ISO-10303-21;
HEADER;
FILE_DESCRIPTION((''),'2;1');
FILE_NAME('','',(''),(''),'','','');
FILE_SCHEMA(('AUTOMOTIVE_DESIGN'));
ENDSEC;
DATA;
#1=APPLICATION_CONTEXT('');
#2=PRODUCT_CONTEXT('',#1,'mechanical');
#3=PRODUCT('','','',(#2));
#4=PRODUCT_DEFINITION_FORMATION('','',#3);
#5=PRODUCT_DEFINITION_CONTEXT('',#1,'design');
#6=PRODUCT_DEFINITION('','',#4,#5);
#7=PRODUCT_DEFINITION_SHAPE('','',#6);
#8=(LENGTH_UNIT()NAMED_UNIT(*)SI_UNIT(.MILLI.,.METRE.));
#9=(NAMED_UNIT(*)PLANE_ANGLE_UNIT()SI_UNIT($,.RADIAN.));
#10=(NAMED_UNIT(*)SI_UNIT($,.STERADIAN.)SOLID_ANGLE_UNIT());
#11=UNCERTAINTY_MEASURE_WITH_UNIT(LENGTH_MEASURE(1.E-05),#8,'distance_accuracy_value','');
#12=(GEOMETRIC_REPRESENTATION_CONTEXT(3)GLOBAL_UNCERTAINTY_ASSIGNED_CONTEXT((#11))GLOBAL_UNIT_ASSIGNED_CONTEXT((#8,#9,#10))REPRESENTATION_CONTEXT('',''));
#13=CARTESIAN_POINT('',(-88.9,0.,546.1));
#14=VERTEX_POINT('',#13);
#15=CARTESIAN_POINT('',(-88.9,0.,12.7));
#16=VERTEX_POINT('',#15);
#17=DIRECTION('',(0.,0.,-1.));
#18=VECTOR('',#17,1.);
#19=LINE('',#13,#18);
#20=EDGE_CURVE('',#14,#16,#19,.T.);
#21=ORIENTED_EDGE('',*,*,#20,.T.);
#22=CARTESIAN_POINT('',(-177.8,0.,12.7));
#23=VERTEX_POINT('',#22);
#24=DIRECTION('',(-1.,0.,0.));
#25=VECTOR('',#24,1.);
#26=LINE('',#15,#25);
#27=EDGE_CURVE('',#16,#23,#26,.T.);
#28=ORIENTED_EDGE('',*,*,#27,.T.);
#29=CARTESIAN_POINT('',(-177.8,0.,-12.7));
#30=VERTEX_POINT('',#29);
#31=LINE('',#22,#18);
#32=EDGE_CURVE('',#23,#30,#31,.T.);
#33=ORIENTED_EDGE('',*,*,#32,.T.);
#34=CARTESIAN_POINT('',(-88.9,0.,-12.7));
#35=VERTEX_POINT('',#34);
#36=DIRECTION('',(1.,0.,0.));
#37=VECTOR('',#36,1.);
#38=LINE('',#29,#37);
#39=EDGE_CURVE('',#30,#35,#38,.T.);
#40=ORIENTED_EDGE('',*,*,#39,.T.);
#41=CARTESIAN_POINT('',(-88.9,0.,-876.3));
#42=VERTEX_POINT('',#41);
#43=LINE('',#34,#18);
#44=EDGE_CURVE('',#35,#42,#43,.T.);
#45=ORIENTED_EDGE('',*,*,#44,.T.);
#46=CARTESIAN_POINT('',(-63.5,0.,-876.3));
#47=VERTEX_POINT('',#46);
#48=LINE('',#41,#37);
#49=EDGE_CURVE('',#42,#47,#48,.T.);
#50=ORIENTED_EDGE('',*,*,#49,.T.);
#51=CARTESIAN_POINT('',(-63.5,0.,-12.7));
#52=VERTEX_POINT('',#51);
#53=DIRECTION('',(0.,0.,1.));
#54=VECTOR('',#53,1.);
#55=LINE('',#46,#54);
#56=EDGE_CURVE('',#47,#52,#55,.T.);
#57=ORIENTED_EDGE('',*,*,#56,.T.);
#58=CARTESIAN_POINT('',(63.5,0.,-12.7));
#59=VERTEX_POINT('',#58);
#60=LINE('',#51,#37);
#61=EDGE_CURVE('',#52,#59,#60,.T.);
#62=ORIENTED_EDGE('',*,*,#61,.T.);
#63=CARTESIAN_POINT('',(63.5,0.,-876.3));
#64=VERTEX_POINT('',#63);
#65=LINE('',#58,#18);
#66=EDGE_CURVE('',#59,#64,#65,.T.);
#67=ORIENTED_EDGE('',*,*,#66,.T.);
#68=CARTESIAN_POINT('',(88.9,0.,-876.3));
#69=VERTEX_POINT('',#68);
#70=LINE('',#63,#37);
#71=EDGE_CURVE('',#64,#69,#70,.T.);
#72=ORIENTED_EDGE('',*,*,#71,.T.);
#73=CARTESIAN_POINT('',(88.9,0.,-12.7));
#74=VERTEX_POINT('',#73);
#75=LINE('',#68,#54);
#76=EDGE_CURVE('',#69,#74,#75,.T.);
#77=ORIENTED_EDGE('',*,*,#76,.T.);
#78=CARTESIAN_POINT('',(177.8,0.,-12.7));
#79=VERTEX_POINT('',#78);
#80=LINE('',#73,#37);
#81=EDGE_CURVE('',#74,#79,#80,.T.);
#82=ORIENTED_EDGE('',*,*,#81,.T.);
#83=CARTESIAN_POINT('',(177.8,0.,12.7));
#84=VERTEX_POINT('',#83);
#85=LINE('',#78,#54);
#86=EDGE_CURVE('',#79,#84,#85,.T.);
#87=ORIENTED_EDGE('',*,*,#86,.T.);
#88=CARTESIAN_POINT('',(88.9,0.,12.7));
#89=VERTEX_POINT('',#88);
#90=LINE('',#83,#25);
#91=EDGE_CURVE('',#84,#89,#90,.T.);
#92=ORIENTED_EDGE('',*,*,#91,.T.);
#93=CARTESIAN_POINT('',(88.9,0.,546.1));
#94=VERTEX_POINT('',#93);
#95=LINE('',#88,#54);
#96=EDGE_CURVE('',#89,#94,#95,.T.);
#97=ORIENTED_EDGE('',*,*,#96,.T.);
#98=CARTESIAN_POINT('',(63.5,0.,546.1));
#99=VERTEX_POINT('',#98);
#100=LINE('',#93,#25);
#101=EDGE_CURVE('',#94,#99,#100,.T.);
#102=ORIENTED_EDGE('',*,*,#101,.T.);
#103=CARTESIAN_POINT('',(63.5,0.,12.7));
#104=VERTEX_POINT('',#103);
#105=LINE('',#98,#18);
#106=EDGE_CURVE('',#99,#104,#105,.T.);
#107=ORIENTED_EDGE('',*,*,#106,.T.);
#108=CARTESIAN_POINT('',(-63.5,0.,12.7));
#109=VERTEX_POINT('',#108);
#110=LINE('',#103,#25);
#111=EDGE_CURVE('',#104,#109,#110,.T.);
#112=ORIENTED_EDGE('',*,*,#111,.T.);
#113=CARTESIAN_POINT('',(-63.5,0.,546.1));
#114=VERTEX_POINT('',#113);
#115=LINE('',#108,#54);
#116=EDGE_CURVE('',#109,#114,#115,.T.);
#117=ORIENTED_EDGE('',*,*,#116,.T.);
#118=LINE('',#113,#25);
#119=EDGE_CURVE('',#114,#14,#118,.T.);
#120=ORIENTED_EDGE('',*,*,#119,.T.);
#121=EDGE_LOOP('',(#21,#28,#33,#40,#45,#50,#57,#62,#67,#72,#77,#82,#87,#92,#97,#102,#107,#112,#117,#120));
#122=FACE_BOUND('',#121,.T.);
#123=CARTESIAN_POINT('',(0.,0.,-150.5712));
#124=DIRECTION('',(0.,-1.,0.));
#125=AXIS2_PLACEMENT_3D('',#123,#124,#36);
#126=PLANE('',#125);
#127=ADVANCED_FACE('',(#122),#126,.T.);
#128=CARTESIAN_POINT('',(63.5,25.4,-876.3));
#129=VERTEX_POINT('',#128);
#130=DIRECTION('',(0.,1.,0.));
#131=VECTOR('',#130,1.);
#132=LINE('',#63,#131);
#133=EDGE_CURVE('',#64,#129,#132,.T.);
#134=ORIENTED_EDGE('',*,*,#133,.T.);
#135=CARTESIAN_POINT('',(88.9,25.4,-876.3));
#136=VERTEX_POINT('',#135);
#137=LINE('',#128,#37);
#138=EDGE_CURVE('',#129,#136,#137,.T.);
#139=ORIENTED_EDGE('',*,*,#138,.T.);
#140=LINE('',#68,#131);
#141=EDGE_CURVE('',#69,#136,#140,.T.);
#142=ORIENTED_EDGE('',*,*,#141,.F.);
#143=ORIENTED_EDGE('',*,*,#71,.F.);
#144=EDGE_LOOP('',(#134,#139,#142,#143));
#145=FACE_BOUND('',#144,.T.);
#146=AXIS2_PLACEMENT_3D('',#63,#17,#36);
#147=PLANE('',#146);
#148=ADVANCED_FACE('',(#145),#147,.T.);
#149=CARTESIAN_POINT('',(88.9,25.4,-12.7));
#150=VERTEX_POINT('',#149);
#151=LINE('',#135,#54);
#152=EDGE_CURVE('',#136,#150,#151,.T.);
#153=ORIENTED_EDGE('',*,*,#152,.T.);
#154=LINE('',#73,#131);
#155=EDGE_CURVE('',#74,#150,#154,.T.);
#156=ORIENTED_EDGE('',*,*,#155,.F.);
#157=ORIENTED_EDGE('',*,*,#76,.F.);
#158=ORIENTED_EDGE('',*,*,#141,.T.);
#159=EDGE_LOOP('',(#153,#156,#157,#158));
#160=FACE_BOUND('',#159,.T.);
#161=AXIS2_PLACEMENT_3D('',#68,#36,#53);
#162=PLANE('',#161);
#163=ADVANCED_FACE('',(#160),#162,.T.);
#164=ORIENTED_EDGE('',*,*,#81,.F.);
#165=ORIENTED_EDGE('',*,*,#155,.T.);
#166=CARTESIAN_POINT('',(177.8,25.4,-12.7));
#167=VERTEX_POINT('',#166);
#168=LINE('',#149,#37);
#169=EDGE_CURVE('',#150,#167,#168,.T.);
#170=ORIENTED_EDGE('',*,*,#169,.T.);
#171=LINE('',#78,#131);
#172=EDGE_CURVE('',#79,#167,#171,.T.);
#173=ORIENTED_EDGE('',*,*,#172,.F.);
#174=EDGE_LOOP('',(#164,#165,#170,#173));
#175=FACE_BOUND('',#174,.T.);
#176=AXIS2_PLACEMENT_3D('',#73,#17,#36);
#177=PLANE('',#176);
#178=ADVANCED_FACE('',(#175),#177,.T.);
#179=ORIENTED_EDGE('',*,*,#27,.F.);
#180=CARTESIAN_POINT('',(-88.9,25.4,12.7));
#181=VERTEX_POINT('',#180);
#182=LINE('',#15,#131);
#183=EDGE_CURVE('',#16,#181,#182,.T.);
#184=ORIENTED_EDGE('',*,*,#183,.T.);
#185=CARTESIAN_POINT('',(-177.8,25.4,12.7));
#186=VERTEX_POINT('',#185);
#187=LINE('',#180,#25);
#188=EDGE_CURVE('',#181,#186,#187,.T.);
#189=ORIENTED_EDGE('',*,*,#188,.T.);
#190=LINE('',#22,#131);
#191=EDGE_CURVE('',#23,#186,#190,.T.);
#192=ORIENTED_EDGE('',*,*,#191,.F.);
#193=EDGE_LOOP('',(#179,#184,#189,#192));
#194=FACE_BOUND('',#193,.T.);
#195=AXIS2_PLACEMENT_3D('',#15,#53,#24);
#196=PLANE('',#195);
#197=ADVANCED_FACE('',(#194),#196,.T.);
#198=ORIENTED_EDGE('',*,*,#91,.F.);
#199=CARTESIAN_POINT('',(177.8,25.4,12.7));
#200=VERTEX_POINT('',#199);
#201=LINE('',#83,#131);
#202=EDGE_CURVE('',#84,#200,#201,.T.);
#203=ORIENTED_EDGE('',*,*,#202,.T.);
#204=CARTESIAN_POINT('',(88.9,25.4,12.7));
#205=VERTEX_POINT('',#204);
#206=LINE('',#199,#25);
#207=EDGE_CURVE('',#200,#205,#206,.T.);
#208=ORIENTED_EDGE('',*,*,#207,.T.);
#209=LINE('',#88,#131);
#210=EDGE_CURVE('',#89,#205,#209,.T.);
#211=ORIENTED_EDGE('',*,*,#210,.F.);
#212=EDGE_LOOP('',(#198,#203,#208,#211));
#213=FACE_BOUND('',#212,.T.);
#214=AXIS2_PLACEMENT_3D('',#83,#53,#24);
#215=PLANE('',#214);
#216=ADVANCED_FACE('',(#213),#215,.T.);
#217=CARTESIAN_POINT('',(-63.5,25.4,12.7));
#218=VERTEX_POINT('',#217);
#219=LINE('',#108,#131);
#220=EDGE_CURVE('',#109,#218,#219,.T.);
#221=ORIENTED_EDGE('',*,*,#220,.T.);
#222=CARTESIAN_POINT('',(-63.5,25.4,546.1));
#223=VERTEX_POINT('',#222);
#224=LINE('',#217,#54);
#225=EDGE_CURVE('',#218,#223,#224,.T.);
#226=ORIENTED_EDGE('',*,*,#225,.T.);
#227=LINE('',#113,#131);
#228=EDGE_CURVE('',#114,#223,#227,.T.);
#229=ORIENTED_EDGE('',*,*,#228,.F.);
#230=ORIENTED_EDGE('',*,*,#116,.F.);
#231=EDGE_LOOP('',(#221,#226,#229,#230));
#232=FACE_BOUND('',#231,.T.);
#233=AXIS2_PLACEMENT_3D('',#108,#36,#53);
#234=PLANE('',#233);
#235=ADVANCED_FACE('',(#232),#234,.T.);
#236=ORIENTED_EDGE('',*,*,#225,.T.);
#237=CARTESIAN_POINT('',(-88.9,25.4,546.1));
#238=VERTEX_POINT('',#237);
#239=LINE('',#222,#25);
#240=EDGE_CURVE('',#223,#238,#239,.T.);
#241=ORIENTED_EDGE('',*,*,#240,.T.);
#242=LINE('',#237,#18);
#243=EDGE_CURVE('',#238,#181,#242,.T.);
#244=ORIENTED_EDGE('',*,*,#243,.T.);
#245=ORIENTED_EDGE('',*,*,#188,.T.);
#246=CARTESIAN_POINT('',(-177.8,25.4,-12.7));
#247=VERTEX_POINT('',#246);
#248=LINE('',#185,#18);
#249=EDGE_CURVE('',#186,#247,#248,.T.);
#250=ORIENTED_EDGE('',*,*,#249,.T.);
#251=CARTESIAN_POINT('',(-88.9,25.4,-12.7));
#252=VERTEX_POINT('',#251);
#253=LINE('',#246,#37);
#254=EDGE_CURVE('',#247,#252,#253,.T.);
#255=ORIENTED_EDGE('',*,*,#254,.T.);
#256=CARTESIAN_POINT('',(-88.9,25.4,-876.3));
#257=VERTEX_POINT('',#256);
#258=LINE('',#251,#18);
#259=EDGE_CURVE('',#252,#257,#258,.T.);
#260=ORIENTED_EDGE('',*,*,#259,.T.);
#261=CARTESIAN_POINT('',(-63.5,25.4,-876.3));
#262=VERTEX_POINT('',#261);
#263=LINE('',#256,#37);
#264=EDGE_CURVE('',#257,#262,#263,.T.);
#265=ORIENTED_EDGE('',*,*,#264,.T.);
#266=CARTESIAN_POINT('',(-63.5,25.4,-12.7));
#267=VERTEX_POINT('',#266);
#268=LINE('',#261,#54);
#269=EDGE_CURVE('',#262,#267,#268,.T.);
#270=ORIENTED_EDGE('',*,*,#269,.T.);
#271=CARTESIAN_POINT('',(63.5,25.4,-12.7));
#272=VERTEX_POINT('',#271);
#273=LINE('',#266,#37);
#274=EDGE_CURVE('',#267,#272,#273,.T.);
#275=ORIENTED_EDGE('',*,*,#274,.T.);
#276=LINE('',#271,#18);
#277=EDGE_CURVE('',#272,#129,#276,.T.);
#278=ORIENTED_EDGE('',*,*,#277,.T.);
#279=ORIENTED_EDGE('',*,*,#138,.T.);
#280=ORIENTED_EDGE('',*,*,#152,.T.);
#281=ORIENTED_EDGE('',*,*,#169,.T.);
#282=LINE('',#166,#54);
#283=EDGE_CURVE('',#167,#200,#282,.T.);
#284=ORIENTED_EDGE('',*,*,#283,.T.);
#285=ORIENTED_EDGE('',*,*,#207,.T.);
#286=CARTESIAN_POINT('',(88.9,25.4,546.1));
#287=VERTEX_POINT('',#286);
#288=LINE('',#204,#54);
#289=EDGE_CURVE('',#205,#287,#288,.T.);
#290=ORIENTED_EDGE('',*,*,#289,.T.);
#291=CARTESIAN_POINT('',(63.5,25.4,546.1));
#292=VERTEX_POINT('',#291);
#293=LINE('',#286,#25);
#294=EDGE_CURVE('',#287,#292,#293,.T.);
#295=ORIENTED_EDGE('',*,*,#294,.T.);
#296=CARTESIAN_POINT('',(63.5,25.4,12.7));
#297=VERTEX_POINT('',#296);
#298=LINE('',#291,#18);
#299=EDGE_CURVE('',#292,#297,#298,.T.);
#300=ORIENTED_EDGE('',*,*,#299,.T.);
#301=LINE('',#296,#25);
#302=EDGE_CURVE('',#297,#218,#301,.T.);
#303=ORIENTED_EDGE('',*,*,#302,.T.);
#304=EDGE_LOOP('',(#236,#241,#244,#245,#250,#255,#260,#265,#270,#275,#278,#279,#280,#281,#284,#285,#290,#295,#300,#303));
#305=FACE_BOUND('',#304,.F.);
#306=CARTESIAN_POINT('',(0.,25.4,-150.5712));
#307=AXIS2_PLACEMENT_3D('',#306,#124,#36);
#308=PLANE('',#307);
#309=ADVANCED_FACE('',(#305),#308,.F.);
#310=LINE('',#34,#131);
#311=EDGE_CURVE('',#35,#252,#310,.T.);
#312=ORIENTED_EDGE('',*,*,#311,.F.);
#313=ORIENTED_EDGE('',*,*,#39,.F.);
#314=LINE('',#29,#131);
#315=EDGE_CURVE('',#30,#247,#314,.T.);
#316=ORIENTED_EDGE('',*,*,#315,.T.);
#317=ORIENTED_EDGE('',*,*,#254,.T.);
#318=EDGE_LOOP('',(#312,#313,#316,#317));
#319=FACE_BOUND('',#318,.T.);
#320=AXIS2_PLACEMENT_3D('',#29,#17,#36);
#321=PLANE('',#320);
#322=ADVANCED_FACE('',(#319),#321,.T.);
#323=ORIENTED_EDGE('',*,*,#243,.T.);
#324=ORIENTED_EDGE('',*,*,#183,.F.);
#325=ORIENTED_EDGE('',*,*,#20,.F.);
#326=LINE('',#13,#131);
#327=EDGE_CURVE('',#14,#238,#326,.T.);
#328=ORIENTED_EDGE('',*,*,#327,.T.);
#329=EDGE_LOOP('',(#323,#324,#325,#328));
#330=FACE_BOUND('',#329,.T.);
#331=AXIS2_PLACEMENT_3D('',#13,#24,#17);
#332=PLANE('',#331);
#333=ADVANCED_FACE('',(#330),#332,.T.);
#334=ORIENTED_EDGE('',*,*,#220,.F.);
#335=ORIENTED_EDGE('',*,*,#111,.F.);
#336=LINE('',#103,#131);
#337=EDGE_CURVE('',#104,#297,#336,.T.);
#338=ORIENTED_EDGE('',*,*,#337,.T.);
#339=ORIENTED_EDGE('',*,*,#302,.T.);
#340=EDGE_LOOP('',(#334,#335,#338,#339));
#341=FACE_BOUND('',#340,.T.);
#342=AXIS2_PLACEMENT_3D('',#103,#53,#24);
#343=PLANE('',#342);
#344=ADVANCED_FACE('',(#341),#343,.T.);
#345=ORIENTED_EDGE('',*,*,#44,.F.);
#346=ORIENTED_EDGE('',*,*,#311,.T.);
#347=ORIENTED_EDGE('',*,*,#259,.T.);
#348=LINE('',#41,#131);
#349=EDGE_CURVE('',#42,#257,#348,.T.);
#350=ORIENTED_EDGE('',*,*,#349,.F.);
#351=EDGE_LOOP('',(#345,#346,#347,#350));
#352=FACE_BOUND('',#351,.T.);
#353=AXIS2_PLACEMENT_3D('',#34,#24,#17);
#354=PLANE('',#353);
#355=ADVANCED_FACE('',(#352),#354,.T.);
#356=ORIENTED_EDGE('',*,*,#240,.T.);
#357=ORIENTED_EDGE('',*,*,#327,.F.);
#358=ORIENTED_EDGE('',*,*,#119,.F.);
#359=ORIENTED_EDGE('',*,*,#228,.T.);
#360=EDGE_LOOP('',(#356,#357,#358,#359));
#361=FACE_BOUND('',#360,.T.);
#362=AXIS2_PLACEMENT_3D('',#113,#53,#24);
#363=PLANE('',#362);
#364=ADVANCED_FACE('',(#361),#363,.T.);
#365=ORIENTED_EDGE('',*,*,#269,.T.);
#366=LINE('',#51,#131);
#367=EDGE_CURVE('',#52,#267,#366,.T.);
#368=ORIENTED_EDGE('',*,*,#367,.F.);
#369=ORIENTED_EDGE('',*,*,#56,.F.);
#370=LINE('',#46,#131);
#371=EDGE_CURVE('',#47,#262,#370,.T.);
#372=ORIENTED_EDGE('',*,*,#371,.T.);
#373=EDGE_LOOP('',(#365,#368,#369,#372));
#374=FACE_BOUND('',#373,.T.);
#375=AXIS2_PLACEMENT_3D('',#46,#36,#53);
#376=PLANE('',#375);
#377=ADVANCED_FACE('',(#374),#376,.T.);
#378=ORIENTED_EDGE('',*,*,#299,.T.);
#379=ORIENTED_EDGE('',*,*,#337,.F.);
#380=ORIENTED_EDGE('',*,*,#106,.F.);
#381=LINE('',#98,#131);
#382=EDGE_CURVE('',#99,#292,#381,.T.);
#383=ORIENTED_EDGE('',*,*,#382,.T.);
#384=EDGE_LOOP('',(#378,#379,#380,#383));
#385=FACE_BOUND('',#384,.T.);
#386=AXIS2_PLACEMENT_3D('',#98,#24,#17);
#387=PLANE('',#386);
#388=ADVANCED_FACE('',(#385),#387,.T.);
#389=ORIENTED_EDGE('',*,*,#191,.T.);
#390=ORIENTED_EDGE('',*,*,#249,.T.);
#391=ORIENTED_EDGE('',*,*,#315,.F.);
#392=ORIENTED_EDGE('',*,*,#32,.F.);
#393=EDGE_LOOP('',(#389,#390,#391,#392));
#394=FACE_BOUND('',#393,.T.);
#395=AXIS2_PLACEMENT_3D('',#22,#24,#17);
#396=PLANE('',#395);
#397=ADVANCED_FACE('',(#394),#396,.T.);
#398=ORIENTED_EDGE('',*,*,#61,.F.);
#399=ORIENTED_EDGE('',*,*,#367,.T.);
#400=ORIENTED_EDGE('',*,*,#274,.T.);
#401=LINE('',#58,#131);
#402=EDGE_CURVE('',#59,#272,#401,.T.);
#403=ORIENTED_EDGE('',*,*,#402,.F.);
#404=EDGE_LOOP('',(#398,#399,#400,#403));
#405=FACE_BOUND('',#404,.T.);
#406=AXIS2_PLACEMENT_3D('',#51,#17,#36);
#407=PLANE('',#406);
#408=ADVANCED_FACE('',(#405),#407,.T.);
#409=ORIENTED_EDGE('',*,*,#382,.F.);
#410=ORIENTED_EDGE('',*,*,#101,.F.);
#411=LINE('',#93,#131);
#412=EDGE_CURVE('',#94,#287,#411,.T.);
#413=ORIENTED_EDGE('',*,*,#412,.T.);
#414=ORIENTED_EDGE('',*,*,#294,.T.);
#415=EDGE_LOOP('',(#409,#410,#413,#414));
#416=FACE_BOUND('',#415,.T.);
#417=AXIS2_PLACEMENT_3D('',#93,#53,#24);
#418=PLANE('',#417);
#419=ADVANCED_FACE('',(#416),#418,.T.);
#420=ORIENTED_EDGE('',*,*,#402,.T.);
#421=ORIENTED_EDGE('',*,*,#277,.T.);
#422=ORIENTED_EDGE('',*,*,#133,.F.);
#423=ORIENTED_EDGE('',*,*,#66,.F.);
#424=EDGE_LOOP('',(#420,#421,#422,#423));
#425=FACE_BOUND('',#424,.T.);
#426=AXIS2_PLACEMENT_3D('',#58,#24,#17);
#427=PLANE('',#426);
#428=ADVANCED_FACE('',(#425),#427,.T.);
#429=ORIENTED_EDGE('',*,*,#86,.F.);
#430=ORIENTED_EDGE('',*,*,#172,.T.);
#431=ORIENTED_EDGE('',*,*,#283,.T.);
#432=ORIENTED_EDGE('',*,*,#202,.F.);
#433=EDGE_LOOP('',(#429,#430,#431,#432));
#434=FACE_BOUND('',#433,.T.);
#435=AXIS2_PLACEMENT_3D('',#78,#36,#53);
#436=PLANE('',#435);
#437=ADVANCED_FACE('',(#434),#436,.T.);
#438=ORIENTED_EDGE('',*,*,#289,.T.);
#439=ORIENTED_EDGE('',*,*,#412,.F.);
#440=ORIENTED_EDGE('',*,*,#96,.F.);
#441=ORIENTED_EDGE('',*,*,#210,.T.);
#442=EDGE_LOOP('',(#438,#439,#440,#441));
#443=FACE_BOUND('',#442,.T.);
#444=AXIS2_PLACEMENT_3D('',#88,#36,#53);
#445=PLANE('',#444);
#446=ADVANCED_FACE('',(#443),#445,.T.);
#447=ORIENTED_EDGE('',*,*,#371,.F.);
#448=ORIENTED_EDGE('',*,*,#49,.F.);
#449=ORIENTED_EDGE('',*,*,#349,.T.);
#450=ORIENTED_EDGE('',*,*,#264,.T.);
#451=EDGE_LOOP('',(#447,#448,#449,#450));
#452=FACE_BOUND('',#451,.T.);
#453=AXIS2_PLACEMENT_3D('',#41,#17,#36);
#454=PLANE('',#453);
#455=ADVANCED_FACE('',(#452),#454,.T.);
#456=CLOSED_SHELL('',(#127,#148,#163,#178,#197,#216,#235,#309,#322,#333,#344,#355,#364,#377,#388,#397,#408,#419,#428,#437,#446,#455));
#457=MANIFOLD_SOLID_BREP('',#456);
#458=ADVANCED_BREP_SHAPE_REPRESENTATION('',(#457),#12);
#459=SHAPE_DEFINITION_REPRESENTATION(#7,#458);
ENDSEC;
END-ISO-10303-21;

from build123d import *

# Parameters (mm, degrees)
F1_DEPTH = 25.4


with BuildPart() as f1:
    # F0 (on Front) → F1 (new body)
    with BuildSketch(Plane.XZ):
        Polygon((-63.5, 546.1), (-88.9, 546.1), (-88.9, 12.7), (-177.8, 12.7), (-177.8, -12.7), (-88.9, -12.7), (-88.9, -876.3), (-63.5, -876.3), (-63.5, -12.7), (63.5, -12.7), (63.5, -876.3), (88.9, -876.3), (88.9, -12.7), (177.8, -12.7), (177.8, 12.7), (88.9, 12.7), (88.9, 546.1), (63.5, 546.1), (63.5, 12.7), (-63.5, 12.7), align=None)
    extrude(amount=-F1_DEPTH)


solid = f1.part
